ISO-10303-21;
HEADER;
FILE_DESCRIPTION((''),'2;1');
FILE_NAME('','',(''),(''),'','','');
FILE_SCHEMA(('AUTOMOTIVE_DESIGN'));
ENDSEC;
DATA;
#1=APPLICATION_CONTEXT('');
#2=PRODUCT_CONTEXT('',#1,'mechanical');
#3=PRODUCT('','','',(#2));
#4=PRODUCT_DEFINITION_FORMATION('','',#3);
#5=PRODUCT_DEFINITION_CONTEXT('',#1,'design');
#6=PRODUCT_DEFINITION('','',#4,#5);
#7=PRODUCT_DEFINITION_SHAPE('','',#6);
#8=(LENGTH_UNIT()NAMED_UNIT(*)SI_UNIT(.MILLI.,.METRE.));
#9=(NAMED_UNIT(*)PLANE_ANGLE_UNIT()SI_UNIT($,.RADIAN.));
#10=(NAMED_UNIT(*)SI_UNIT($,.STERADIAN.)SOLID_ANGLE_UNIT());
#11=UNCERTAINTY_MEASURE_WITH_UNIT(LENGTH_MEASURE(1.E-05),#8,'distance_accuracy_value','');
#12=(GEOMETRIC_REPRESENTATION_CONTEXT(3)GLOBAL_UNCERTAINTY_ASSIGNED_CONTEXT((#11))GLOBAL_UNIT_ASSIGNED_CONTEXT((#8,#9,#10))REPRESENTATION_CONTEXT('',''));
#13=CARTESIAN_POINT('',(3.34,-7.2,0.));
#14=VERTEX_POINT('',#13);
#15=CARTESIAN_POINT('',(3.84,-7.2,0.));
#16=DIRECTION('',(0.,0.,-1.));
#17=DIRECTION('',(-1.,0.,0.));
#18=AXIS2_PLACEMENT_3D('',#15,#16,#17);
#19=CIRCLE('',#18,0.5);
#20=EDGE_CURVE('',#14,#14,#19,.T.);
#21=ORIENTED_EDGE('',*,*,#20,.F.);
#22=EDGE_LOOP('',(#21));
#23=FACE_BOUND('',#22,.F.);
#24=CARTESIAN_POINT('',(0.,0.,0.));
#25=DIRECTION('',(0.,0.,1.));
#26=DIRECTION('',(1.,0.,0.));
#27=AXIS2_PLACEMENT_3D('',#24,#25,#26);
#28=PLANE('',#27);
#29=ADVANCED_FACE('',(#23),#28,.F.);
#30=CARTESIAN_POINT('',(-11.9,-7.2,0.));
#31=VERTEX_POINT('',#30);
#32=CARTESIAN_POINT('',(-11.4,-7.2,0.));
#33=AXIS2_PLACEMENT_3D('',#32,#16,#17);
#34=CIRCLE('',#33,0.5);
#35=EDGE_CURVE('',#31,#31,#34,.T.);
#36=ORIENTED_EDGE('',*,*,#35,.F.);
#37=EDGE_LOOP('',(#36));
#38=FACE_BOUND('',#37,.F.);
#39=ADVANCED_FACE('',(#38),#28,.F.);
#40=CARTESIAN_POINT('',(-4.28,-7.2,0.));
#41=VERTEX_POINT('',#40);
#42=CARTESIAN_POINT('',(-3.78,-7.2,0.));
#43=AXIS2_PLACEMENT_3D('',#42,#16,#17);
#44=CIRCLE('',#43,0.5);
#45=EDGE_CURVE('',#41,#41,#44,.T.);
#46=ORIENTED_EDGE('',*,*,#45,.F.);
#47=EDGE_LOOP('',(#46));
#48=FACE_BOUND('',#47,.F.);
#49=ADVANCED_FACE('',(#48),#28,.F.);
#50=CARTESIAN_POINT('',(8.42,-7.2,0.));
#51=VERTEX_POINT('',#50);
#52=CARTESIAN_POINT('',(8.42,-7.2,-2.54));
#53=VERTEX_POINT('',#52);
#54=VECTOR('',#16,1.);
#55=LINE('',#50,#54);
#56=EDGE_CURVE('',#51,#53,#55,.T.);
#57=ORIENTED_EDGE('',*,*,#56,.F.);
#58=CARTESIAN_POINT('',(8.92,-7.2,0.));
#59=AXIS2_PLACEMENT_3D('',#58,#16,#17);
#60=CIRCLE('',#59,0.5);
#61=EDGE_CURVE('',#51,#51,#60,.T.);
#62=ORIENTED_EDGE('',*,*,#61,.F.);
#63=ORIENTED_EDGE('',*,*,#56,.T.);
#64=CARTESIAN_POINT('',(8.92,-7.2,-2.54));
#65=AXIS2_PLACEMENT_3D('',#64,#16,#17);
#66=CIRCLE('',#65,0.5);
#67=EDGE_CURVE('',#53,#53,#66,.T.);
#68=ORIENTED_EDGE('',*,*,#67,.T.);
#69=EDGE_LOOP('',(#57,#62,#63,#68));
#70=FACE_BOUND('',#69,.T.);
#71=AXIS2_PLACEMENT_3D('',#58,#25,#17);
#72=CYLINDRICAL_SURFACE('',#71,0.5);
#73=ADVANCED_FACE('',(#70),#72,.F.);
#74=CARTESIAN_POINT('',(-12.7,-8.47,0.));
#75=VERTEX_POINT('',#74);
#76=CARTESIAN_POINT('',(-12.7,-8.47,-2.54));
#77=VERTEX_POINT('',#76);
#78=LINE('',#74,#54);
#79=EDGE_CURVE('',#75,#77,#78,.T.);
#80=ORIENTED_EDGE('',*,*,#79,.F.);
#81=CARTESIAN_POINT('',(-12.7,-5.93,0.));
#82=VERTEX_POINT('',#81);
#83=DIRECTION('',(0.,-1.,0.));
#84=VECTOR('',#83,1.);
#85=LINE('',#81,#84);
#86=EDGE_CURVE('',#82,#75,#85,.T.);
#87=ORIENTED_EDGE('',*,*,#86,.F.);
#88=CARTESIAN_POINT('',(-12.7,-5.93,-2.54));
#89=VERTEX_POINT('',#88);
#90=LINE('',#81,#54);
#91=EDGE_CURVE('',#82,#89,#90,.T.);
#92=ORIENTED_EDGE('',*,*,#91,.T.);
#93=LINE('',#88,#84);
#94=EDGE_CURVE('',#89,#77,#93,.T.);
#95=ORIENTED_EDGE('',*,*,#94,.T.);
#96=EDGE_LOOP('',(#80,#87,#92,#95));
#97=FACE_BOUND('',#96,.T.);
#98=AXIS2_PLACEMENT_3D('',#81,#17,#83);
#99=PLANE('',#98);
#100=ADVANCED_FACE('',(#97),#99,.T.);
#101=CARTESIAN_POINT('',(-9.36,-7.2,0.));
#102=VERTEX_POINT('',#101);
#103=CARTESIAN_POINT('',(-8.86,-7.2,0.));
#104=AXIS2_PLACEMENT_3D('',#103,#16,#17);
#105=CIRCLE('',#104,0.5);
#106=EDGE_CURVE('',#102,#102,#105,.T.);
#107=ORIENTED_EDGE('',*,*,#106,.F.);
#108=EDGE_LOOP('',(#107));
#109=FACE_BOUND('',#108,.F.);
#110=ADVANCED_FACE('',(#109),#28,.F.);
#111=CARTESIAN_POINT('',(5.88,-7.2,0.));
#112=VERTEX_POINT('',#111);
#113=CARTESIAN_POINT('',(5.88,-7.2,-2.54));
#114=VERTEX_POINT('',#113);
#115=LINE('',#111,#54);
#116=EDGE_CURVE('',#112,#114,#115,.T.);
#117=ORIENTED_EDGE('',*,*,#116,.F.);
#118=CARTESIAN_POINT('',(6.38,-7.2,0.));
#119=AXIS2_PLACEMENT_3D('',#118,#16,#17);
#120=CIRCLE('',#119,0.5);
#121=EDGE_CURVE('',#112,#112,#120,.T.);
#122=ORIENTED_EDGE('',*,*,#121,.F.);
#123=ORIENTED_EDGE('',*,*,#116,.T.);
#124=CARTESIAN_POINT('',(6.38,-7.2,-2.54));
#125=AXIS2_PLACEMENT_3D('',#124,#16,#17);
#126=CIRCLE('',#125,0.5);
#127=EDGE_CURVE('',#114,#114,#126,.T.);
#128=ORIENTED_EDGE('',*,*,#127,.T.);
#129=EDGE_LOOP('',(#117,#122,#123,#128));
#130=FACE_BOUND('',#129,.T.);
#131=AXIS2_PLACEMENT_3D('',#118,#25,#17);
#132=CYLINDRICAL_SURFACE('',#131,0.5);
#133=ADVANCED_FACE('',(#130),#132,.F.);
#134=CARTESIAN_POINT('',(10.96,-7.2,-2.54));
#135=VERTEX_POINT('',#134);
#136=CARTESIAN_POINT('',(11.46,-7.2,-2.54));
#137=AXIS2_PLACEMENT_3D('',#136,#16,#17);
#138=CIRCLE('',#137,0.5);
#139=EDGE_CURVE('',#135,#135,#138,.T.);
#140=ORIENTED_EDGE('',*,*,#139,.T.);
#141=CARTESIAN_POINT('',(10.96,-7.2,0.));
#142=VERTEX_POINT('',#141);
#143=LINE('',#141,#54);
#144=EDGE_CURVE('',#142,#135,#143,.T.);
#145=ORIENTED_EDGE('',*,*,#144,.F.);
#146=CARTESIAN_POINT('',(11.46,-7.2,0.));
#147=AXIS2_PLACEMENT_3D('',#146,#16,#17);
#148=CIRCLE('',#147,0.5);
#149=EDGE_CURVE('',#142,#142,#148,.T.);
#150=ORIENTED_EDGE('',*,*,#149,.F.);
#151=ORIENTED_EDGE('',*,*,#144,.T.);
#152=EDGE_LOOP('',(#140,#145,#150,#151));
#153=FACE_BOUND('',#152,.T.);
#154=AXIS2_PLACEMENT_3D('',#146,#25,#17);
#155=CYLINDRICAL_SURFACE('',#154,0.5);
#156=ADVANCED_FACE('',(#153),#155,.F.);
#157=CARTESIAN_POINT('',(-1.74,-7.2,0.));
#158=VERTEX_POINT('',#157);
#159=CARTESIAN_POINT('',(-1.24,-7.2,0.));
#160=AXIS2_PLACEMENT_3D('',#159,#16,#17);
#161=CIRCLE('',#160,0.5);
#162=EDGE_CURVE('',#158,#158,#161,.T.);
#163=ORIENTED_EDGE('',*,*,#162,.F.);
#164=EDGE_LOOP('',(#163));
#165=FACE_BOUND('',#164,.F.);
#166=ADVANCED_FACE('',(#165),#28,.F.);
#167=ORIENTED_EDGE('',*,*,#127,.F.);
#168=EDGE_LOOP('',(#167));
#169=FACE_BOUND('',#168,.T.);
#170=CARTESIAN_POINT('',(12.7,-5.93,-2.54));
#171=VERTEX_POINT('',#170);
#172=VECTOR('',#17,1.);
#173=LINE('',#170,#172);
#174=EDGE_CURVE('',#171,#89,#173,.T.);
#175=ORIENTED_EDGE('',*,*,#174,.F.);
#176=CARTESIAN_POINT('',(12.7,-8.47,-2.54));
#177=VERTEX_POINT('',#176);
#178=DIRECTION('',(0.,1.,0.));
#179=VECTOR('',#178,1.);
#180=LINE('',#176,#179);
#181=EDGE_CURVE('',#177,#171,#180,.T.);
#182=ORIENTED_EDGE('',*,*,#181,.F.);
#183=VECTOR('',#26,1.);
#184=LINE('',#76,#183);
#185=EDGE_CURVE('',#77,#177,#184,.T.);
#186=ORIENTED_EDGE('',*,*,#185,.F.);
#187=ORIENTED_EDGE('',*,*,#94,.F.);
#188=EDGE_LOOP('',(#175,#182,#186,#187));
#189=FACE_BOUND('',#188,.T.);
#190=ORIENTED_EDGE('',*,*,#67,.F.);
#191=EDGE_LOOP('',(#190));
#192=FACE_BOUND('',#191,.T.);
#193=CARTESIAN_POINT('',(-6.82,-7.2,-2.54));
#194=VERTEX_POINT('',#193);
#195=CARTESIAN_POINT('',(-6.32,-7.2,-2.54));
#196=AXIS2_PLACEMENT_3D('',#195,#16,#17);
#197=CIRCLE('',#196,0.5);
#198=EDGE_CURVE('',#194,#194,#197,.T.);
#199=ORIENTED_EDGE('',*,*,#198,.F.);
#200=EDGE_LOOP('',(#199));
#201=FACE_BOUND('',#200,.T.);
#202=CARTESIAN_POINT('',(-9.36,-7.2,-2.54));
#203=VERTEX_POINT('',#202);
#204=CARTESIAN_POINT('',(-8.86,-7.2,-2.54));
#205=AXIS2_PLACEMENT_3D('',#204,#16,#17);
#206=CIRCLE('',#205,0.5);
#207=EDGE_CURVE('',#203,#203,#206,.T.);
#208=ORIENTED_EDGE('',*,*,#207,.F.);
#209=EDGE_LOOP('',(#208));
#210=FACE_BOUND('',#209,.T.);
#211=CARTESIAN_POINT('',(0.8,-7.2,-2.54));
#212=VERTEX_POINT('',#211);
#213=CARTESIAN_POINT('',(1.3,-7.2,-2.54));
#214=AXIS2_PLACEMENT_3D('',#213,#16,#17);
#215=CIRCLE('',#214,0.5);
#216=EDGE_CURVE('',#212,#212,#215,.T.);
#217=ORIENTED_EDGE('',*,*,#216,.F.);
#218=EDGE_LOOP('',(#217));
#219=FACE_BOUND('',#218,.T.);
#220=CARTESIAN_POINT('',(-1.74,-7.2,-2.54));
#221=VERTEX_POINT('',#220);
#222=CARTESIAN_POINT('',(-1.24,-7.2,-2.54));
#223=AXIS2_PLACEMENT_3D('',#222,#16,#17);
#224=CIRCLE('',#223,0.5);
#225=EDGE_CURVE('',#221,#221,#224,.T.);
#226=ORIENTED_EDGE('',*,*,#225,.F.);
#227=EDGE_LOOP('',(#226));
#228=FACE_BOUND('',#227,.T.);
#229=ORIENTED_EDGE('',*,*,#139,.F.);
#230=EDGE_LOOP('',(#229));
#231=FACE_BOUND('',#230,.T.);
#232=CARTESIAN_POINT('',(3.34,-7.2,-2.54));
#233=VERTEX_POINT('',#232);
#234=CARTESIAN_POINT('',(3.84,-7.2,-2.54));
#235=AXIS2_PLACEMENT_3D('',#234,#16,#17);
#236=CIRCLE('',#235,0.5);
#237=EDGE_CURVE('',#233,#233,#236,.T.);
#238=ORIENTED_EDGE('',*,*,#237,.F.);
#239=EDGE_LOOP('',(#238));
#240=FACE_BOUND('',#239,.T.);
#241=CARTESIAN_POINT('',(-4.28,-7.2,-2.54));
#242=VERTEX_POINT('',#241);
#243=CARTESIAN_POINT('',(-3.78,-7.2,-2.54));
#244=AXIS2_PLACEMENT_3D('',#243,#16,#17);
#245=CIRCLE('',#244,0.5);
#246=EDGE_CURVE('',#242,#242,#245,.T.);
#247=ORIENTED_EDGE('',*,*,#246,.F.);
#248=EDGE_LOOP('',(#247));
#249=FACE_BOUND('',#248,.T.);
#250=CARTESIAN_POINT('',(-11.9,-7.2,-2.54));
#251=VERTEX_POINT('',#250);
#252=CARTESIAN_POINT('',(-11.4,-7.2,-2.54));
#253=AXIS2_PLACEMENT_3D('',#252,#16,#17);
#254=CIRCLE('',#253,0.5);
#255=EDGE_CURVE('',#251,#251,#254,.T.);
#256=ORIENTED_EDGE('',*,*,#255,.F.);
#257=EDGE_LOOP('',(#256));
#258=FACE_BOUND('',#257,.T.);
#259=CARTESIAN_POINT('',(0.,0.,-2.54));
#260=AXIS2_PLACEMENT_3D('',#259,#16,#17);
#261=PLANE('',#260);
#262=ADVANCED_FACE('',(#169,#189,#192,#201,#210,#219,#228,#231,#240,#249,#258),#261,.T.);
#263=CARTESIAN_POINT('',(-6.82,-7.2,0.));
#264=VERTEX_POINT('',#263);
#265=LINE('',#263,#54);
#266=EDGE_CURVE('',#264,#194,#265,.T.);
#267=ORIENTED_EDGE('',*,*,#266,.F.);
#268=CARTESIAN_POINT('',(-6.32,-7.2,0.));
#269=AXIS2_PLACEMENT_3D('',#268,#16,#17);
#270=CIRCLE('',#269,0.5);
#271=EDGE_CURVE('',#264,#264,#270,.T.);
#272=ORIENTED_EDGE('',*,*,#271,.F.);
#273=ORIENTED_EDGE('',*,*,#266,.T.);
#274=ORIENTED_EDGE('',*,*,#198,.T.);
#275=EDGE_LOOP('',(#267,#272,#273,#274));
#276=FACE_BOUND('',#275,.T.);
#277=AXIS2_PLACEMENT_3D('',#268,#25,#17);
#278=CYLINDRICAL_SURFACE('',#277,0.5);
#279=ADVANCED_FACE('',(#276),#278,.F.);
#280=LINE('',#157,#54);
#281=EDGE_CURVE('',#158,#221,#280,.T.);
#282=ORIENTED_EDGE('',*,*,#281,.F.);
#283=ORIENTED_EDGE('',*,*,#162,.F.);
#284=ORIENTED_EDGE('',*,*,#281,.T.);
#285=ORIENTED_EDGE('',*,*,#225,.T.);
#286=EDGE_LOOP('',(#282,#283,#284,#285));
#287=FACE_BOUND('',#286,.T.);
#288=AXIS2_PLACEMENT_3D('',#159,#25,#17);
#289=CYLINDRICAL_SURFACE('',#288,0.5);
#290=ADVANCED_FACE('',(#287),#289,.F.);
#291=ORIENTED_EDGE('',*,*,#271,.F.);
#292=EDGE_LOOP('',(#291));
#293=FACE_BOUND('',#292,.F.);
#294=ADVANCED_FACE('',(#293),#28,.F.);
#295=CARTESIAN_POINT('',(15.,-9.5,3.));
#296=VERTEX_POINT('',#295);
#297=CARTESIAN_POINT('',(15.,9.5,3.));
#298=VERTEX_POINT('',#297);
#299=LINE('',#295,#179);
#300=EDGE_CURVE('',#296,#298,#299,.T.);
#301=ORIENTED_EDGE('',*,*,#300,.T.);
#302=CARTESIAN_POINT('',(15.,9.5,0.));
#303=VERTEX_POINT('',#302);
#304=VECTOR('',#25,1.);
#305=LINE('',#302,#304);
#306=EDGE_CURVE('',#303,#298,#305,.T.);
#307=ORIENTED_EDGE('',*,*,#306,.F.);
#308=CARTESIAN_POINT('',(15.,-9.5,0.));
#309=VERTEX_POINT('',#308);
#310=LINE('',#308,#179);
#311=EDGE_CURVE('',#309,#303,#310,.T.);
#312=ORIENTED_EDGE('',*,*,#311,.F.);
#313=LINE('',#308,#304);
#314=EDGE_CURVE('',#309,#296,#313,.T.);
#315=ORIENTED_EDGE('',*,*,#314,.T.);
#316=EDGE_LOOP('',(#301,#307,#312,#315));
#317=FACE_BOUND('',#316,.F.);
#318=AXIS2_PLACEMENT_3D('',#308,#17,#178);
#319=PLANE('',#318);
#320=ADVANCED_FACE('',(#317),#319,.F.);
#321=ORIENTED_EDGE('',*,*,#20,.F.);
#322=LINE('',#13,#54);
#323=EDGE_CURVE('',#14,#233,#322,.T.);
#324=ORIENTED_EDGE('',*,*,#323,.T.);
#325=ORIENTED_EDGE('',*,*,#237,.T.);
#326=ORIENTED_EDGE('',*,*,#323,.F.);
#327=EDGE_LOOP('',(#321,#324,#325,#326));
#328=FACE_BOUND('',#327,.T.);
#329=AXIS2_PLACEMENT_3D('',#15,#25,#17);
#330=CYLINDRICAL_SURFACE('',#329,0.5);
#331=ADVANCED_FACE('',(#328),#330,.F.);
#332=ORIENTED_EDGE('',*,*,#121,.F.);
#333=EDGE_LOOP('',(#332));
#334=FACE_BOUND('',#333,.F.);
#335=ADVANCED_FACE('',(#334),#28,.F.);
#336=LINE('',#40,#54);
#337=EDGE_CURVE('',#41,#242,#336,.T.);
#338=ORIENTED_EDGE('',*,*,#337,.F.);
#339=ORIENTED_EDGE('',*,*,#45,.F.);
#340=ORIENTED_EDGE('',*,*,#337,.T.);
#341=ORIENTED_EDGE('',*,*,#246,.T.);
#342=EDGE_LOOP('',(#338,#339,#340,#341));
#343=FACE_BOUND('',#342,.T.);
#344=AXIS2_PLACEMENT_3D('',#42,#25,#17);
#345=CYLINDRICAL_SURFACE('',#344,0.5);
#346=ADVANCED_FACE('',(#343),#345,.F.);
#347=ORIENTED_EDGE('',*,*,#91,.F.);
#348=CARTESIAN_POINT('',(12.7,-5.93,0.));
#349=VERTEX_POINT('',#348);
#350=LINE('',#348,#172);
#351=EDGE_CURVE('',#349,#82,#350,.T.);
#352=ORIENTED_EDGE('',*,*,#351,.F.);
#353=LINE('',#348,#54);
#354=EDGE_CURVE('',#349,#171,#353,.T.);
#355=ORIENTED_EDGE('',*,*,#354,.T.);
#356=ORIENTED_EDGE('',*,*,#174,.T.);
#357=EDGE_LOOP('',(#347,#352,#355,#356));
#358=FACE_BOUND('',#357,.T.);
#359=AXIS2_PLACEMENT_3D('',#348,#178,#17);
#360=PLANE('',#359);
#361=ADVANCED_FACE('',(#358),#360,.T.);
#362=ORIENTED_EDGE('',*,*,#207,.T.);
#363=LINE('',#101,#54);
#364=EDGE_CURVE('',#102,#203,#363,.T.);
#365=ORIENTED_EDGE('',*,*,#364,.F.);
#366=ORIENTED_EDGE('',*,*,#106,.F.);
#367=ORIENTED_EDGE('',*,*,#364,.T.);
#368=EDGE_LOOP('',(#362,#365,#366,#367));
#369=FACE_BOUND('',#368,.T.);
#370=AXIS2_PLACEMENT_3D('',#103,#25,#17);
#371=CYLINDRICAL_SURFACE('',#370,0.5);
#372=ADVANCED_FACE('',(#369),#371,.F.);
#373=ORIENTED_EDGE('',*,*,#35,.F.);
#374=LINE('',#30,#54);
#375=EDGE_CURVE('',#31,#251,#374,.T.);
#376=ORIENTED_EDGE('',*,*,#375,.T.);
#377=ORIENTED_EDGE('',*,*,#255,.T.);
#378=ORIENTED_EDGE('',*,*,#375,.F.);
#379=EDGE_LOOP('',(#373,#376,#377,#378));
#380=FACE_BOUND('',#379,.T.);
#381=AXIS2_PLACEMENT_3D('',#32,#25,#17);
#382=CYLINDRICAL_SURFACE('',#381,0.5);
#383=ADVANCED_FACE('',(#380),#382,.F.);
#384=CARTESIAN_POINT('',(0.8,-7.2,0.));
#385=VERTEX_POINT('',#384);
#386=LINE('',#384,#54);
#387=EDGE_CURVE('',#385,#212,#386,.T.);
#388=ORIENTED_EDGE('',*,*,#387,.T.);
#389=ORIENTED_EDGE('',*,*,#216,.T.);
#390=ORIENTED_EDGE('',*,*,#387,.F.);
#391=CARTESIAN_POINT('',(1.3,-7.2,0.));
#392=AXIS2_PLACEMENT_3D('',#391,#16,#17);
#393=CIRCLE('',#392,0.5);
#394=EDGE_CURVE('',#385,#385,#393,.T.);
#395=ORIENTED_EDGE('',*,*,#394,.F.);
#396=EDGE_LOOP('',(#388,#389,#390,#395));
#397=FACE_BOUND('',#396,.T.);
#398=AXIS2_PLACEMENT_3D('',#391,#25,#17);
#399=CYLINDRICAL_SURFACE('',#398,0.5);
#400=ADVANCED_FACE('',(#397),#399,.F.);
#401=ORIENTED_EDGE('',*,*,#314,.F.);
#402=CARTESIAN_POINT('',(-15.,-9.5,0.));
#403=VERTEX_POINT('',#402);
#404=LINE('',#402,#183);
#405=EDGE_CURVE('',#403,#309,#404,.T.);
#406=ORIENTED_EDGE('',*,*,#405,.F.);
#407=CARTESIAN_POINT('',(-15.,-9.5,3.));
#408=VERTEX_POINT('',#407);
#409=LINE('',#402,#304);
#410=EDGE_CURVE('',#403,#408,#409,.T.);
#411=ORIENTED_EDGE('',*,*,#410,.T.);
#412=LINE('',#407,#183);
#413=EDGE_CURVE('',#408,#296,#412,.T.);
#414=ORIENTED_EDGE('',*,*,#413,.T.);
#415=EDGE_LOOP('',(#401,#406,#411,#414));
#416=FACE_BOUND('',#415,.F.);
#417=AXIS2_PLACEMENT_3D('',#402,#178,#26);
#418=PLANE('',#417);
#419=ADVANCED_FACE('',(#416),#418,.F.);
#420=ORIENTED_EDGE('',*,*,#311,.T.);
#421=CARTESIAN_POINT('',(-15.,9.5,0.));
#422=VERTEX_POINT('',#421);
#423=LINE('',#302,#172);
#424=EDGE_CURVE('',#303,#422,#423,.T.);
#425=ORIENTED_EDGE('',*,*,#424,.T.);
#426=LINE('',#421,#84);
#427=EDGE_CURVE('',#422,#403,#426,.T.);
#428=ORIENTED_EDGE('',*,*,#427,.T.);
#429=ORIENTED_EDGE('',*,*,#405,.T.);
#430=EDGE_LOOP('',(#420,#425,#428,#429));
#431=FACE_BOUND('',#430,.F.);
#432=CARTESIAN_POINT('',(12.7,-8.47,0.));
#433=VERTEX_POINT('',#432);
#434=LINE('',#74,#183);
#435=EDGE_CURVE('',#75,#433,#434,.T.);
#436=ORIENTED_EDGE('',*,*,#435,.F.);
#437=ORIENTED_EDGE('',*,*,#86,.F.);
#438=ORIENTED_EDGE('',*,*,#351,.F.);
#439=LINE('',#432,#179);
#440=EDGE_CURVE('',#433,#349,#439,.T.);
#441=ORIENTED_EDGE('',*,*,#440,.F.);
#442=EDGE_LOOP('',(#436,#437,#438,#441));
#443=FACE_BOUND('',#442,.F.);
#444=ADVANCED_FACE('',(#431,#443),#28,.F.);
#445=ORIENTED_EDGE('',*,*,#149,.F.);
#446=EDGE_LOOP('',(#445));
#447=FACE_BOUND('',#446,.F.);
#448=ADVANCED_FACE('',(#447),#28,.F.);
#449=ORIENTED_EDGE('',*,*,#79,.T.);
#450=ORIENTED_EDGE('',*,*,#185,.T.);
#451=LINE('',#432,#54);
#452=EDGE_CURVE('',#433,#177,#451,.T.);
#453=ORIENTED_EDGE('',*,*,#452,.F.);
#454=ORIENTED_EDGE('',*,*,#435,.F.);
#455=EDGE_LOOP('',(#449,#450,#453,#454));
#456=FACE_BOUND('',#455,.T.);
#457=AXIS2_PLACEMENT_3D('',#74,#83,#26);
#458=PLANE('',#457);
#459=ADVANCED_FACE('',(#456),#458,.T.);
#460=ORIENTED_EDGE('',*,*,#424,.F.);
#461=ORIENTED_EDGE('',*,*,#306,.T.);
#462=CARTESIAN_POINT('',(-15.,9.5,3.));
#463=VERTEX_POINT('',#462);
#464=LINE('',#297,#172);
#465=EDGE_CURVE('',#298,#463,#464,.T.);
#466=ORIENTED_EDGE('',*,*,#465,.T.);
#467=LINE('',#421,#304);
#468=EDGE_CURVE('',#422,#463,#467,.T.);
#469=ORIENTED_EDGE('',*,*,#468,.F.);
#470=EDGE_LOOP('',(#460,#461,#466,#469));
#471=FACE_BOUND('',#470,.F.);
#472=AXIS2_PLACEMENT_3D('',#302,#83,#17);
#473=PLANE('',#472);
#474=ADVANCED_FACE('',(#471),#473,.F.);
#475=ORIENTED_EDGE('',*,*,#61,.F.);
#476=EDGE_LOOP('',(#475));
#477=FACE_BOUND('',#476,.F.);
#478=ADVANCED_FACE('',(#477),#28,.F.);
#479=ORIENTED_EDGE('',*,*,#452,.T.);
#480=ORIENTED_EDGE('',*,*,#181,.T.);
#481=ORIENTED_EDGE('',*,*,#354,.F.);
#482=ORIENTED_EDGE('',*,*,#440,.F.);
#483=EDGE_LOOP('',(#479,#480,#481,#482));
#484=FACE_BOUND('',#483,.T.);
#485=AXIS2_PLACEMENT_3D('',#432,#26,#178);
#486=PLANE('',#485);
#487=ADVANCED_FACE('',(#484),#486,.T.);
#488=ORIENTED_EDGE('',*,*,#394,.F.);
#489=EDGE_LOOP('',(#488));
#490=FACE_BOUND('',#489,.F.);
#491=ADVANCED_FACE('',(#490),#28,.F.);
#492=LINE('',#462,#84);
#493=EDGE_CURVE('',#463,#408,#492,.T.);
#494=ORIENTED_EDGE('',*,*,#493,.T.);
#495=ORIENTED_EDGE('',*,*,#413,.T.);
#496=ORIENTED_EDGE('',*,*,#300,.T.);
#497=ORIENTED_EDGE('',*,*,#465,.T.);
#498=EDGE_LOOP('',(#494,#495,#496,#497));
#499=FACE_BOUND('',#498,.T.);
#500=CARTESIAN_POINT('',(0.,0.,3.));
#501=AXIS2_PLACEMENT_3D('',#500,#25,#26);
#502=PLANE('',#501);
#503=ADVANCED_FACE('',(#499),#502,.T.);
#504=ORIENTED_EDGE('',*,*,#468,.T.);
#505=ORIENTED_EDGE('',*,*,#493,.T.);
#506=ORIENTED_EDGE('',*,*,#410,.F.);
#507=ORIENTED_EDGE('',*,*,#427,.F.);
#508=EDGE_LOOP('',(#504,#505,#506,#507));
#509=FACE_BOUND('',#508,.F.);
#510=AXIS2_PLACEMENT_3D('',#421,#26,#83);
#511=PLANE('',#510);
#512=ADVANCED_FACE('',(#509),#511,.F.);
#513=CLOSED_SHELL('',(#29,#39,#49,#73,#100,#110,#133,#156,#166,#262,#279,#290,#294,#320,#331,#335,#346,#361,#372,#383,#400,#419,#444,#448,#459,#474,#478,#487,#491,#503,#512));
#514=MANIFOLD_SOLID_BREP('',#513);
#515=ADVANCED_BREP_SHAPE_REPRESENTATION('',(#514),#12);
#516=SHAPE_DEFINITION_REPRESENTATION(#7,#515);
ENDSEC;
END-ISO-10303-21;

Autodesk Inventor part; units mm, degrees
ref_plane "YZ Plane" through (0, 0, 0) normal (1, 0, 0) x (0, 1, 0)
ref_plane "XZ Plane" through (0, 0, 0) normal (0, 1, 0) x (-1, 0, 0)
ref_plane "XY Plane" through (0, 0, 0) normal (0, 0, 1) x (1, 0, 0)
sketch "Sketch1" plane through (0, 0, 0) normal (0, 0, 1) x (1, 0, 0)
  line L0 (-15, -9.5) -> (15, -9.5)
  line L1 (15, -9.5) -> (15, 9.5)
  line L2 (15, 9.5) -> (-15, 9.5)
  line L3 (-15, 9.5) -> (-15, -9.5)
  point P0 (0, 0)
  point P1 (0, 9.5)
  point P2 (15, 0)
  dimension "d0" = 30
  dimension "d1" = 19
extrude "Extrusion1" add sketch "Sketch1" along normal blind 3
sketch "Sketch2" plane through (0, 0, 0) normal (0, 0, -1) x (-1, 0, 0)
  line L0 (-12.7, -5.93) -> (12.7, -5.93)
  line L1 (12.7, -5.93) -> (12.7, -8.47)
  line L2 (12.7, -8.47) -> (-12.7, -8.47)
  line L3 (-12.7, -8.47) -> (-12.7, -5.93)
  line L4 (15, -9.5) -> (-15, -9.5) projected
  circle A0 centre (-11.46, -7.2) radius 0.5
  circle A1 centre (-8.92, -7.2) radius 0.5
  circle A2 centre (-6.38, -7.2) radius 0.5
  circle A3 centre (-3.84, -7.2) radius 0.5
  circle A4 centre (-1.3, -7.2) radius 0.5
  circle A5 centre (1.24, -7.2) radius 0.5
  circle A6 centre (3.78, -7.2) radius 0.5
  circle A7 centre (6.32, -7.2) radius 0.5
  circle A8 centre (8.86, -7.2) radius 0.5
  circle A9 centre (11.4, -7.2) radius 0.5
  line L5 (15, 9.5) -> (15, -9.5) projected
  point P0 (0, 0)
  point P1 (-12.7, -7.2)
  point P2 (0, -5.93)
  point P3 (12.7, -7.2)
  dimension "d4" = 2.3
  dimension "d5" = 2.54
  dimension "d6" = 25.4
  dimension "d7" = 3.6
  dimension "d8" = 2.54
  dimension "d9" = 2.54
  dimension "d10" = 2.54
  dimension "d11" = 2.54
  dimension "d12" = 2.54
  dimension "d13" = 2.54
  dimension "d14" = 2.54
  dimension "d15" = 2.54
  dimension "d16" = 2.54
  dimension "d17" = 1
extrude "Extrusion2" add sketch "Sketch2" along normal blind 2.54
equation "\"d9\" = d8"
equation "\"d10\" = d8"
equation "\"d11\" = d8"
equation "\"d12\" = d8"
equation "\"d13\" = d8"
equation "\"d14\" = d8"
equation "\"d15\" = d8"
equation "\"d16\" = d8"
properties part number "IMU"
